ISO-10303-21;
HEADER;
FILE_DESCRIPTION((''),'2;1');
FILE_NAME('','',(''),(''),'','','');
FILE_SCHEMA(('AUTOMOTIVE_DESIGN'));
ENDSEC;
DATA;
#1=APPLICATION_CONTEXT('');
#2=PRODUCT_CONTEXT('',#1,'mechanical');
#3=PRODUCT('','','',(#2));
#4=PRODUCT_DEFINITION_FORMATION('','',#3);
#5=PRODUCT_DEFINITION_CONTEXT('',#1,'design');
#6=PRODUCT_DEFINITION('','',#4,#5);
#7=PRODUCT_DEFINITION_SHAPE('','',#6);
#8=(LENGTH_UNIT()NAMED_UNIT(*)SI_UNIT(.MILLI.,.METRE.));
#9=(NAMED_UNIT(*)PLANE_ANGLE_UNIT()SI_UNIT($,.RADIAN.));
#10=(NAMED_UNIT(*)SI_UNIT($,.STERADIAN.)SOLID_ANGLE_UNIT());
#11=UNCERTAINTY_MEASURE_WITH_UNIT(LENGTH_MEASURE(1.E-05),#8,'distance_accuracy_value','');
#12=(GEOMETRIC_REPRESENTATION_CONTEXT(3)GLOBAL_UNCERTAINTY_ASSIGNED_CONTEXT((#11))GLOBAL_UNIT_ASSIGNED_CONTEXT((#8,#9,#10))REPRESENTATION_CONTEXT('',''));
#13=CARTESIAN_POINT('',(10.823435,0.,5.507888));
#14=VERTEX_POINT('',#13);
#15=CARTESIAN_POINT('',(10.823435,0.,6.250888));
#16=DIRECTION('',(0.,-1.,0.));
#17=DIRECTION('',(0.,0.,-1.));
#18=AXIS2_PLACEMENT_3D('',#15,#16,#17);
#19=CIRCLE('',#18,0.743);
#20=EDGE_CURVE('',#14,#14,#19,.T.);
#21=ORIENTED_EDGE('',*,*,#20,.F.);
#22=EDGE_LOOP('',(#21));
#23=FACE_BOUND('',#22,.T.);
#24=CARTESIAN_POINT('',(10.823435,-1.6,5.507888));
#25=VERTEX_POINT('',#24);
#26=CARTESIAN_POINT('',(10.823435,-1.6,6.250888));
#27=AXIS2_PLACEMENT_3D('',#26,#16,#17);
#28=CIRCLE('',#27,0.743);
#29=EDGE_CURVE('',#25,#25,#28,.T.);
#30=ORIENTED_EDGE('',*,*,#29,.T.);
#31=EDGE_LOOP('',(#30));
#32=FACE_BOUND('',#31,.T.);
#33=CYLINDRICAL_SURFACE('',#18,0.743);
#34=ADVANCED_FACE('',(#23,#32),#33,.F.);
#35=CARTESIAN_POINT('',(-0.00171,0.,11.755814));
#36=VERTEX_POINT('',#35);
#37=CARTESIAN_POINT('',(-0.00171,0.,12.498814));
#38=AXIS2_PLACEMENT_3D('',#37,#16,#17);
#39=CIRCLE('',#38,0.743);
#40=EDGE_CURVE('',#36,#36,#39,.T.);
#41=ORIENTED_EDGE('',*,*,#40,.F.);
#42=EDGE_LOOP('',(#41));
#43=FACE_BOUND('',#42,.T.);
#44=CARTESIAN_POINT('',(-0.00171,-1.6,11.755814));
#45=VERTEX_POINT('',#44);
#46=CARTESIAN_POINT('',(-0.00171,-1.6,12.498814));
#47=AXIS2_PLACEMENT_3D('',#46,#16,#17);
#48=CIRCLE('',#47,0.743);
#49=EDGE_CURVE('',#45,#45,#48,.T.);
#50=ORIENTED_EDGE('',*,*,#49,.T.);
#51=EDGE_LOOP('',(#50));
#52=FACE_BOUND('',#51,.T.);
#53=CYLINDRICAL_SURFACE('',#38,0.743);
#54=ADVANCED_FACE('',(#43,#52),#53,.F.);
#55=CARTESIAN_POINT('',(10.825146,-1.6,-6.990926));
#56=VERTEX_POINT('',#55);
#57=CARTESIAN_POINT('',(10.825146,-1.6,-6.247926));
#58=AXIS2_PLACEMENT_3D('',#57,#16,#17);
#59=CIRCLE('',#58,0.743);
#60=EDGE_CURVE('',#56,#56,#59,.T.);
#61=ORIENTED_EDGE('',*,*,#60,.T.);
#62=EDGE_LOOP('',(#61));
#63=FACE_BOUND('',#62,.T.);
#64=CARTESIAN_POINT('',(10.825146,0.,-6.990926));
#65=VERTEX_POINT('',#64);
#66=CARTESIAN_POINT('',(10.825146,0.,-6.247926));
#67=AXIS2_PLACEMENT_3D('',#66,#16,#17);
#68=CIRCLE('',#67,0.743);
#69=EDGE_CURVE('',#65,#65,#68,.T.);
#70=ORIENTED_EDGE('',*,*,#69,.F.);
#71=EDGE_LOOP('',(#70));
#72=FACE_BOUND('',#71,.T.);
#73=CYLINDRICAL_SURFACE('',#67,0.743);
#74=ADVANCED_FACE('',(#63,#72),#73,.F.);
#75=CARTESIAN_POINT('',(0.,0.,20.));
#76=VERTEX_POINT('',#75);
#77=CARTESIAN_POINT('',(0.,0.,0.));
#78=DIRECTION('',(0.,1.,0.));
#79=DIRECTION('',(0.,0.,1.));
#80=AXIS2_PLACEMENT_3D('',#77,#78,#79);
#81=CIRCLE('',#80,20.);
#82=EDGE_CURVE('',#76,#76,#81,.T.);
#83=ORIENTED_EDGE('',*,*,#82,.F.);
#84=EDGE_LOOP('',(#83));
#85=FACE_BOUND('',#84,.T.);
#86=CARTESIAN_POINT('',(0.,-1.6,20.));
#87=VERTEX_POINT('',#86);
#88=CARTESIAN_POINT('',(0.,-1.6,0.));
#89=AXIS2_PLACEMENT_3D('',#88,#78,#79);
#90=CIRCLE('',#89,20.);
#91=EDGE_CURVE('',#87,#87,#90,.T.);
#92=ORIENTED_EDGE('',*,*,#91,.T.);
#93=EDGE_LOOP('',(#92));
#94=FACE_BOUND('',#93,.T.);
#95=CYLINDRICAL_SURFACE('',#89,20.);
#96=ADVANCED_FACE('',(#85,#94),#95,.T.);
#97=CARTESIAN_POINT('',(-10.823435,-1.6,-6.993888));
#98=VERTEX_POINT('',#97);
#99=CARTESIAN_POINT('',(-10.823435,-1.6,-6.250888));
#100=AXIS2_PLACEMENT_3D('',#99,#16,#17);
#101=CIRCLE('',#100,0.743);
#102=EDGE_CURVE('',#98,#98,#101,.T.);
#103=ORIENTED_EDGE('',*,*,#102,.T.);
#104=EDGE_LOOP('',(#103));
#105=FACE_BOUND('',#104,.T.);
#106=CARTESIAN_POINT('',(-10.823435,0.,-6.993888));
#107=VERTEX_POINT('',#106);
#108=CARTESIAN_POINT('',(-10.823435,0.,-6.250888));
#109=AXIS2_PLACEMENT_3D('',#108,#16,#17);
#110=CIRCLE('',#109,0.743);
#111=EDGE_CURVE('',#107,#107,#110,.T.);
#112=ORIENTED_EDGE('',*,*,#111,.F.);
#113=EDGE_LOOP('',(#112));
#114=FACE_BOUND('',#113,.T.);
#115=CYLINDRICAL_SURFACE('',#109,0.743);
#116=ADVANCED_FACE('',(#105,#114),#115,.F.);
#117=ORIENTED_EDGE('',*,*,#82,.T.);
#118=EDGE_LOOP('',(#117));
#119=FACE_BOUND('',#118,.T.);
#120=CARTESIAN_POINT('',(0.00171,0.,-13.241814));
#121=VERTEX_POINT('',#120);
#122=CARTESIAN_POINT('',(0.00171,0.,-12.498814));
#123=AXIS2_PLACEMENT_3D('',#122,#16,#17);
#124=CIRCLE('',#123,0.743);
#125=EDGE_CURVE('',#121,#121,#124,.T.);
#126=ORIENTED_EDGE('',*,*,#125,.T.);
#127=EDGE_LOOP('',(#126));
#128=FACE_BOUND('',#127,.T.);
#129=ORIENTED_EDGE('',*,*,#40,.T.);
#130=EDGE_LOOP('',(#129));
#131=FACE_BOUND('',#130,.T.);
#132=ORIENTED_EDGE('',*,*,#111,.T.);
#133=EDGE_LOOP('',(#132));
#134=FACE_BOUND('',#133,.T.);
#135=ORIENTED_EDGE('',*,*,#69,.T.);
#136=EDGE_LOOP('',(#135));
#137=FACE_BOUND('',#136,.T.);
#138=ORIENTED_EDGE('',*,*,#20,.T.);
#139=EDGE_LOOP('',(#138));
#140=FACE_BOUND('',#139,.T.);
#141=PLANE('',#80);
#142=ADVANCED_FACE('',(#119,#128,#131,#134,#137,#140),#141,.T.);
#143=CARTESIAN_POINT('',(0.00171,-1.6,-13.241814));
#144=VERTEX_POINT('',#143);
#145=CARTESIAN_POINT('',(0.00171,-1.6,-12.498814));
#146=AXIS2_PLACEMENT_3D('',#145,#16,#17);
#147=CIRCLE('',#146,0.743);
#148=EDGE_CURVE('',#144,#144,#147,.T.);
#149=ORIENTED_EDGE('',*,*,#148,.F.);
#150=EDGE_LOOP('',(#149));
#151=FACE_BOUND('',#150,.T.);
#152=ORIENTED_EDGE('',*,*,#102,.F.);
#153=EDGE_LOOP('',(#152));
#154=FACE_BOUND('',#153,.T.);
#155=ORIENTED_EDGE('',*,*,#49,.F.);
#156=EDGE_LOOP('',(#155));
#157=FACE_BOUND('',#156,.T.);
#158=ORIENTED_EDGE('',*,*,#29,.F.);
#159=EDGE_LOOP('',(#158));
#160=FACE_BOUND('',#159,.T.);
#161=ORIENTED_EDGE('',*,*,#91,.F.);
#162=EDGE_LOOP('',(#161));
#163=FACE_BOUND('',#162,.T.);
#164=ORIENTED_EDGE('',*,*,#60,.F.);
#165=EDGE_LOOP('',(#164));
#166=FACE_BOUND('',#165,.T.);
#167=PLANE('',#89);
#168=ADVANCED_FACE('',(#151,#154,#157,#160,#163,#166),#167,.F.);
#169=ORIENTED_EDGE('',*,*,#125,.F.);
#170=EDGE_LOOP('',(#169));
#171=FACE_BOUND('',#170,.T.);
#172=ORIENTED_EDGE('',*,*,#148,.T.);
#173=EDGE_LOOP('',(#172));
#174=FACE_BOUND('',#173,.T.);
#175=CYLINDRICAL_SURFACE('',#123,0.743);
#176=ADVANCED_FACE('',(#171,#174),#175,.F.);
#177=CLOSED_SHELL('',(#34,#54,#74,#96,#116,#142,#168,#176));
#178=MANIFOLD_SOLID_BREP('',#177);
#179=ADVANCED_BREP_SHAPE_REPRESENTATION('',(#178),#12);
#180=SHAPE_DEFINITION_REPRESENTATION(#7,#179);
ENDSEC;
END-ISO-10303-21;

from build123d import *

# Parameters (mm, degrees)
SKETCH1_R           = 20
BOSS_EXTRUDE1_DEPTH = 1.6
SKETCH2_R           = 0.743
CUT_EXTRUDE2_DEPTH  = 1.6


with BuildPart() as part:
    # Sketch1 → Boss-Extrude1 (new body)
    with BuildSketch(Plane(origin=(0, 0, 0), x_dir=(1, 0, 0), z_dir=(0, 1, 0))):
        Circle(SKETCH1_R)
    extrude(amount=-BOSS_EXTRUDE1_DEPTH)

    # Sketch2 → Cut-Extrude2 (cut)
    with BuildSketch(Plane.XZ.offset(1.6)):
        with Locations((-0.00171005, 12.498814086)):
            Circle(SKETCH2_R)
        with Locations((10.823435491, 6.25088799)):
            Circle(SKETCH2_R)
        with Locations((10.825145541, -6.247926096)):
            Circle(SKETCH2_R)
        with Locations((0.00171005, -12.498814086)):
            Circle(SKETCH2_R)
        with Locations((-10.823435491, -6.25088799)):
            Circle(SKETCH2_R)
    extrude(amount=-CUT_EXTRUDE2_DEPTH, mode=Mode.SUBTRACT)


solid = part.part
